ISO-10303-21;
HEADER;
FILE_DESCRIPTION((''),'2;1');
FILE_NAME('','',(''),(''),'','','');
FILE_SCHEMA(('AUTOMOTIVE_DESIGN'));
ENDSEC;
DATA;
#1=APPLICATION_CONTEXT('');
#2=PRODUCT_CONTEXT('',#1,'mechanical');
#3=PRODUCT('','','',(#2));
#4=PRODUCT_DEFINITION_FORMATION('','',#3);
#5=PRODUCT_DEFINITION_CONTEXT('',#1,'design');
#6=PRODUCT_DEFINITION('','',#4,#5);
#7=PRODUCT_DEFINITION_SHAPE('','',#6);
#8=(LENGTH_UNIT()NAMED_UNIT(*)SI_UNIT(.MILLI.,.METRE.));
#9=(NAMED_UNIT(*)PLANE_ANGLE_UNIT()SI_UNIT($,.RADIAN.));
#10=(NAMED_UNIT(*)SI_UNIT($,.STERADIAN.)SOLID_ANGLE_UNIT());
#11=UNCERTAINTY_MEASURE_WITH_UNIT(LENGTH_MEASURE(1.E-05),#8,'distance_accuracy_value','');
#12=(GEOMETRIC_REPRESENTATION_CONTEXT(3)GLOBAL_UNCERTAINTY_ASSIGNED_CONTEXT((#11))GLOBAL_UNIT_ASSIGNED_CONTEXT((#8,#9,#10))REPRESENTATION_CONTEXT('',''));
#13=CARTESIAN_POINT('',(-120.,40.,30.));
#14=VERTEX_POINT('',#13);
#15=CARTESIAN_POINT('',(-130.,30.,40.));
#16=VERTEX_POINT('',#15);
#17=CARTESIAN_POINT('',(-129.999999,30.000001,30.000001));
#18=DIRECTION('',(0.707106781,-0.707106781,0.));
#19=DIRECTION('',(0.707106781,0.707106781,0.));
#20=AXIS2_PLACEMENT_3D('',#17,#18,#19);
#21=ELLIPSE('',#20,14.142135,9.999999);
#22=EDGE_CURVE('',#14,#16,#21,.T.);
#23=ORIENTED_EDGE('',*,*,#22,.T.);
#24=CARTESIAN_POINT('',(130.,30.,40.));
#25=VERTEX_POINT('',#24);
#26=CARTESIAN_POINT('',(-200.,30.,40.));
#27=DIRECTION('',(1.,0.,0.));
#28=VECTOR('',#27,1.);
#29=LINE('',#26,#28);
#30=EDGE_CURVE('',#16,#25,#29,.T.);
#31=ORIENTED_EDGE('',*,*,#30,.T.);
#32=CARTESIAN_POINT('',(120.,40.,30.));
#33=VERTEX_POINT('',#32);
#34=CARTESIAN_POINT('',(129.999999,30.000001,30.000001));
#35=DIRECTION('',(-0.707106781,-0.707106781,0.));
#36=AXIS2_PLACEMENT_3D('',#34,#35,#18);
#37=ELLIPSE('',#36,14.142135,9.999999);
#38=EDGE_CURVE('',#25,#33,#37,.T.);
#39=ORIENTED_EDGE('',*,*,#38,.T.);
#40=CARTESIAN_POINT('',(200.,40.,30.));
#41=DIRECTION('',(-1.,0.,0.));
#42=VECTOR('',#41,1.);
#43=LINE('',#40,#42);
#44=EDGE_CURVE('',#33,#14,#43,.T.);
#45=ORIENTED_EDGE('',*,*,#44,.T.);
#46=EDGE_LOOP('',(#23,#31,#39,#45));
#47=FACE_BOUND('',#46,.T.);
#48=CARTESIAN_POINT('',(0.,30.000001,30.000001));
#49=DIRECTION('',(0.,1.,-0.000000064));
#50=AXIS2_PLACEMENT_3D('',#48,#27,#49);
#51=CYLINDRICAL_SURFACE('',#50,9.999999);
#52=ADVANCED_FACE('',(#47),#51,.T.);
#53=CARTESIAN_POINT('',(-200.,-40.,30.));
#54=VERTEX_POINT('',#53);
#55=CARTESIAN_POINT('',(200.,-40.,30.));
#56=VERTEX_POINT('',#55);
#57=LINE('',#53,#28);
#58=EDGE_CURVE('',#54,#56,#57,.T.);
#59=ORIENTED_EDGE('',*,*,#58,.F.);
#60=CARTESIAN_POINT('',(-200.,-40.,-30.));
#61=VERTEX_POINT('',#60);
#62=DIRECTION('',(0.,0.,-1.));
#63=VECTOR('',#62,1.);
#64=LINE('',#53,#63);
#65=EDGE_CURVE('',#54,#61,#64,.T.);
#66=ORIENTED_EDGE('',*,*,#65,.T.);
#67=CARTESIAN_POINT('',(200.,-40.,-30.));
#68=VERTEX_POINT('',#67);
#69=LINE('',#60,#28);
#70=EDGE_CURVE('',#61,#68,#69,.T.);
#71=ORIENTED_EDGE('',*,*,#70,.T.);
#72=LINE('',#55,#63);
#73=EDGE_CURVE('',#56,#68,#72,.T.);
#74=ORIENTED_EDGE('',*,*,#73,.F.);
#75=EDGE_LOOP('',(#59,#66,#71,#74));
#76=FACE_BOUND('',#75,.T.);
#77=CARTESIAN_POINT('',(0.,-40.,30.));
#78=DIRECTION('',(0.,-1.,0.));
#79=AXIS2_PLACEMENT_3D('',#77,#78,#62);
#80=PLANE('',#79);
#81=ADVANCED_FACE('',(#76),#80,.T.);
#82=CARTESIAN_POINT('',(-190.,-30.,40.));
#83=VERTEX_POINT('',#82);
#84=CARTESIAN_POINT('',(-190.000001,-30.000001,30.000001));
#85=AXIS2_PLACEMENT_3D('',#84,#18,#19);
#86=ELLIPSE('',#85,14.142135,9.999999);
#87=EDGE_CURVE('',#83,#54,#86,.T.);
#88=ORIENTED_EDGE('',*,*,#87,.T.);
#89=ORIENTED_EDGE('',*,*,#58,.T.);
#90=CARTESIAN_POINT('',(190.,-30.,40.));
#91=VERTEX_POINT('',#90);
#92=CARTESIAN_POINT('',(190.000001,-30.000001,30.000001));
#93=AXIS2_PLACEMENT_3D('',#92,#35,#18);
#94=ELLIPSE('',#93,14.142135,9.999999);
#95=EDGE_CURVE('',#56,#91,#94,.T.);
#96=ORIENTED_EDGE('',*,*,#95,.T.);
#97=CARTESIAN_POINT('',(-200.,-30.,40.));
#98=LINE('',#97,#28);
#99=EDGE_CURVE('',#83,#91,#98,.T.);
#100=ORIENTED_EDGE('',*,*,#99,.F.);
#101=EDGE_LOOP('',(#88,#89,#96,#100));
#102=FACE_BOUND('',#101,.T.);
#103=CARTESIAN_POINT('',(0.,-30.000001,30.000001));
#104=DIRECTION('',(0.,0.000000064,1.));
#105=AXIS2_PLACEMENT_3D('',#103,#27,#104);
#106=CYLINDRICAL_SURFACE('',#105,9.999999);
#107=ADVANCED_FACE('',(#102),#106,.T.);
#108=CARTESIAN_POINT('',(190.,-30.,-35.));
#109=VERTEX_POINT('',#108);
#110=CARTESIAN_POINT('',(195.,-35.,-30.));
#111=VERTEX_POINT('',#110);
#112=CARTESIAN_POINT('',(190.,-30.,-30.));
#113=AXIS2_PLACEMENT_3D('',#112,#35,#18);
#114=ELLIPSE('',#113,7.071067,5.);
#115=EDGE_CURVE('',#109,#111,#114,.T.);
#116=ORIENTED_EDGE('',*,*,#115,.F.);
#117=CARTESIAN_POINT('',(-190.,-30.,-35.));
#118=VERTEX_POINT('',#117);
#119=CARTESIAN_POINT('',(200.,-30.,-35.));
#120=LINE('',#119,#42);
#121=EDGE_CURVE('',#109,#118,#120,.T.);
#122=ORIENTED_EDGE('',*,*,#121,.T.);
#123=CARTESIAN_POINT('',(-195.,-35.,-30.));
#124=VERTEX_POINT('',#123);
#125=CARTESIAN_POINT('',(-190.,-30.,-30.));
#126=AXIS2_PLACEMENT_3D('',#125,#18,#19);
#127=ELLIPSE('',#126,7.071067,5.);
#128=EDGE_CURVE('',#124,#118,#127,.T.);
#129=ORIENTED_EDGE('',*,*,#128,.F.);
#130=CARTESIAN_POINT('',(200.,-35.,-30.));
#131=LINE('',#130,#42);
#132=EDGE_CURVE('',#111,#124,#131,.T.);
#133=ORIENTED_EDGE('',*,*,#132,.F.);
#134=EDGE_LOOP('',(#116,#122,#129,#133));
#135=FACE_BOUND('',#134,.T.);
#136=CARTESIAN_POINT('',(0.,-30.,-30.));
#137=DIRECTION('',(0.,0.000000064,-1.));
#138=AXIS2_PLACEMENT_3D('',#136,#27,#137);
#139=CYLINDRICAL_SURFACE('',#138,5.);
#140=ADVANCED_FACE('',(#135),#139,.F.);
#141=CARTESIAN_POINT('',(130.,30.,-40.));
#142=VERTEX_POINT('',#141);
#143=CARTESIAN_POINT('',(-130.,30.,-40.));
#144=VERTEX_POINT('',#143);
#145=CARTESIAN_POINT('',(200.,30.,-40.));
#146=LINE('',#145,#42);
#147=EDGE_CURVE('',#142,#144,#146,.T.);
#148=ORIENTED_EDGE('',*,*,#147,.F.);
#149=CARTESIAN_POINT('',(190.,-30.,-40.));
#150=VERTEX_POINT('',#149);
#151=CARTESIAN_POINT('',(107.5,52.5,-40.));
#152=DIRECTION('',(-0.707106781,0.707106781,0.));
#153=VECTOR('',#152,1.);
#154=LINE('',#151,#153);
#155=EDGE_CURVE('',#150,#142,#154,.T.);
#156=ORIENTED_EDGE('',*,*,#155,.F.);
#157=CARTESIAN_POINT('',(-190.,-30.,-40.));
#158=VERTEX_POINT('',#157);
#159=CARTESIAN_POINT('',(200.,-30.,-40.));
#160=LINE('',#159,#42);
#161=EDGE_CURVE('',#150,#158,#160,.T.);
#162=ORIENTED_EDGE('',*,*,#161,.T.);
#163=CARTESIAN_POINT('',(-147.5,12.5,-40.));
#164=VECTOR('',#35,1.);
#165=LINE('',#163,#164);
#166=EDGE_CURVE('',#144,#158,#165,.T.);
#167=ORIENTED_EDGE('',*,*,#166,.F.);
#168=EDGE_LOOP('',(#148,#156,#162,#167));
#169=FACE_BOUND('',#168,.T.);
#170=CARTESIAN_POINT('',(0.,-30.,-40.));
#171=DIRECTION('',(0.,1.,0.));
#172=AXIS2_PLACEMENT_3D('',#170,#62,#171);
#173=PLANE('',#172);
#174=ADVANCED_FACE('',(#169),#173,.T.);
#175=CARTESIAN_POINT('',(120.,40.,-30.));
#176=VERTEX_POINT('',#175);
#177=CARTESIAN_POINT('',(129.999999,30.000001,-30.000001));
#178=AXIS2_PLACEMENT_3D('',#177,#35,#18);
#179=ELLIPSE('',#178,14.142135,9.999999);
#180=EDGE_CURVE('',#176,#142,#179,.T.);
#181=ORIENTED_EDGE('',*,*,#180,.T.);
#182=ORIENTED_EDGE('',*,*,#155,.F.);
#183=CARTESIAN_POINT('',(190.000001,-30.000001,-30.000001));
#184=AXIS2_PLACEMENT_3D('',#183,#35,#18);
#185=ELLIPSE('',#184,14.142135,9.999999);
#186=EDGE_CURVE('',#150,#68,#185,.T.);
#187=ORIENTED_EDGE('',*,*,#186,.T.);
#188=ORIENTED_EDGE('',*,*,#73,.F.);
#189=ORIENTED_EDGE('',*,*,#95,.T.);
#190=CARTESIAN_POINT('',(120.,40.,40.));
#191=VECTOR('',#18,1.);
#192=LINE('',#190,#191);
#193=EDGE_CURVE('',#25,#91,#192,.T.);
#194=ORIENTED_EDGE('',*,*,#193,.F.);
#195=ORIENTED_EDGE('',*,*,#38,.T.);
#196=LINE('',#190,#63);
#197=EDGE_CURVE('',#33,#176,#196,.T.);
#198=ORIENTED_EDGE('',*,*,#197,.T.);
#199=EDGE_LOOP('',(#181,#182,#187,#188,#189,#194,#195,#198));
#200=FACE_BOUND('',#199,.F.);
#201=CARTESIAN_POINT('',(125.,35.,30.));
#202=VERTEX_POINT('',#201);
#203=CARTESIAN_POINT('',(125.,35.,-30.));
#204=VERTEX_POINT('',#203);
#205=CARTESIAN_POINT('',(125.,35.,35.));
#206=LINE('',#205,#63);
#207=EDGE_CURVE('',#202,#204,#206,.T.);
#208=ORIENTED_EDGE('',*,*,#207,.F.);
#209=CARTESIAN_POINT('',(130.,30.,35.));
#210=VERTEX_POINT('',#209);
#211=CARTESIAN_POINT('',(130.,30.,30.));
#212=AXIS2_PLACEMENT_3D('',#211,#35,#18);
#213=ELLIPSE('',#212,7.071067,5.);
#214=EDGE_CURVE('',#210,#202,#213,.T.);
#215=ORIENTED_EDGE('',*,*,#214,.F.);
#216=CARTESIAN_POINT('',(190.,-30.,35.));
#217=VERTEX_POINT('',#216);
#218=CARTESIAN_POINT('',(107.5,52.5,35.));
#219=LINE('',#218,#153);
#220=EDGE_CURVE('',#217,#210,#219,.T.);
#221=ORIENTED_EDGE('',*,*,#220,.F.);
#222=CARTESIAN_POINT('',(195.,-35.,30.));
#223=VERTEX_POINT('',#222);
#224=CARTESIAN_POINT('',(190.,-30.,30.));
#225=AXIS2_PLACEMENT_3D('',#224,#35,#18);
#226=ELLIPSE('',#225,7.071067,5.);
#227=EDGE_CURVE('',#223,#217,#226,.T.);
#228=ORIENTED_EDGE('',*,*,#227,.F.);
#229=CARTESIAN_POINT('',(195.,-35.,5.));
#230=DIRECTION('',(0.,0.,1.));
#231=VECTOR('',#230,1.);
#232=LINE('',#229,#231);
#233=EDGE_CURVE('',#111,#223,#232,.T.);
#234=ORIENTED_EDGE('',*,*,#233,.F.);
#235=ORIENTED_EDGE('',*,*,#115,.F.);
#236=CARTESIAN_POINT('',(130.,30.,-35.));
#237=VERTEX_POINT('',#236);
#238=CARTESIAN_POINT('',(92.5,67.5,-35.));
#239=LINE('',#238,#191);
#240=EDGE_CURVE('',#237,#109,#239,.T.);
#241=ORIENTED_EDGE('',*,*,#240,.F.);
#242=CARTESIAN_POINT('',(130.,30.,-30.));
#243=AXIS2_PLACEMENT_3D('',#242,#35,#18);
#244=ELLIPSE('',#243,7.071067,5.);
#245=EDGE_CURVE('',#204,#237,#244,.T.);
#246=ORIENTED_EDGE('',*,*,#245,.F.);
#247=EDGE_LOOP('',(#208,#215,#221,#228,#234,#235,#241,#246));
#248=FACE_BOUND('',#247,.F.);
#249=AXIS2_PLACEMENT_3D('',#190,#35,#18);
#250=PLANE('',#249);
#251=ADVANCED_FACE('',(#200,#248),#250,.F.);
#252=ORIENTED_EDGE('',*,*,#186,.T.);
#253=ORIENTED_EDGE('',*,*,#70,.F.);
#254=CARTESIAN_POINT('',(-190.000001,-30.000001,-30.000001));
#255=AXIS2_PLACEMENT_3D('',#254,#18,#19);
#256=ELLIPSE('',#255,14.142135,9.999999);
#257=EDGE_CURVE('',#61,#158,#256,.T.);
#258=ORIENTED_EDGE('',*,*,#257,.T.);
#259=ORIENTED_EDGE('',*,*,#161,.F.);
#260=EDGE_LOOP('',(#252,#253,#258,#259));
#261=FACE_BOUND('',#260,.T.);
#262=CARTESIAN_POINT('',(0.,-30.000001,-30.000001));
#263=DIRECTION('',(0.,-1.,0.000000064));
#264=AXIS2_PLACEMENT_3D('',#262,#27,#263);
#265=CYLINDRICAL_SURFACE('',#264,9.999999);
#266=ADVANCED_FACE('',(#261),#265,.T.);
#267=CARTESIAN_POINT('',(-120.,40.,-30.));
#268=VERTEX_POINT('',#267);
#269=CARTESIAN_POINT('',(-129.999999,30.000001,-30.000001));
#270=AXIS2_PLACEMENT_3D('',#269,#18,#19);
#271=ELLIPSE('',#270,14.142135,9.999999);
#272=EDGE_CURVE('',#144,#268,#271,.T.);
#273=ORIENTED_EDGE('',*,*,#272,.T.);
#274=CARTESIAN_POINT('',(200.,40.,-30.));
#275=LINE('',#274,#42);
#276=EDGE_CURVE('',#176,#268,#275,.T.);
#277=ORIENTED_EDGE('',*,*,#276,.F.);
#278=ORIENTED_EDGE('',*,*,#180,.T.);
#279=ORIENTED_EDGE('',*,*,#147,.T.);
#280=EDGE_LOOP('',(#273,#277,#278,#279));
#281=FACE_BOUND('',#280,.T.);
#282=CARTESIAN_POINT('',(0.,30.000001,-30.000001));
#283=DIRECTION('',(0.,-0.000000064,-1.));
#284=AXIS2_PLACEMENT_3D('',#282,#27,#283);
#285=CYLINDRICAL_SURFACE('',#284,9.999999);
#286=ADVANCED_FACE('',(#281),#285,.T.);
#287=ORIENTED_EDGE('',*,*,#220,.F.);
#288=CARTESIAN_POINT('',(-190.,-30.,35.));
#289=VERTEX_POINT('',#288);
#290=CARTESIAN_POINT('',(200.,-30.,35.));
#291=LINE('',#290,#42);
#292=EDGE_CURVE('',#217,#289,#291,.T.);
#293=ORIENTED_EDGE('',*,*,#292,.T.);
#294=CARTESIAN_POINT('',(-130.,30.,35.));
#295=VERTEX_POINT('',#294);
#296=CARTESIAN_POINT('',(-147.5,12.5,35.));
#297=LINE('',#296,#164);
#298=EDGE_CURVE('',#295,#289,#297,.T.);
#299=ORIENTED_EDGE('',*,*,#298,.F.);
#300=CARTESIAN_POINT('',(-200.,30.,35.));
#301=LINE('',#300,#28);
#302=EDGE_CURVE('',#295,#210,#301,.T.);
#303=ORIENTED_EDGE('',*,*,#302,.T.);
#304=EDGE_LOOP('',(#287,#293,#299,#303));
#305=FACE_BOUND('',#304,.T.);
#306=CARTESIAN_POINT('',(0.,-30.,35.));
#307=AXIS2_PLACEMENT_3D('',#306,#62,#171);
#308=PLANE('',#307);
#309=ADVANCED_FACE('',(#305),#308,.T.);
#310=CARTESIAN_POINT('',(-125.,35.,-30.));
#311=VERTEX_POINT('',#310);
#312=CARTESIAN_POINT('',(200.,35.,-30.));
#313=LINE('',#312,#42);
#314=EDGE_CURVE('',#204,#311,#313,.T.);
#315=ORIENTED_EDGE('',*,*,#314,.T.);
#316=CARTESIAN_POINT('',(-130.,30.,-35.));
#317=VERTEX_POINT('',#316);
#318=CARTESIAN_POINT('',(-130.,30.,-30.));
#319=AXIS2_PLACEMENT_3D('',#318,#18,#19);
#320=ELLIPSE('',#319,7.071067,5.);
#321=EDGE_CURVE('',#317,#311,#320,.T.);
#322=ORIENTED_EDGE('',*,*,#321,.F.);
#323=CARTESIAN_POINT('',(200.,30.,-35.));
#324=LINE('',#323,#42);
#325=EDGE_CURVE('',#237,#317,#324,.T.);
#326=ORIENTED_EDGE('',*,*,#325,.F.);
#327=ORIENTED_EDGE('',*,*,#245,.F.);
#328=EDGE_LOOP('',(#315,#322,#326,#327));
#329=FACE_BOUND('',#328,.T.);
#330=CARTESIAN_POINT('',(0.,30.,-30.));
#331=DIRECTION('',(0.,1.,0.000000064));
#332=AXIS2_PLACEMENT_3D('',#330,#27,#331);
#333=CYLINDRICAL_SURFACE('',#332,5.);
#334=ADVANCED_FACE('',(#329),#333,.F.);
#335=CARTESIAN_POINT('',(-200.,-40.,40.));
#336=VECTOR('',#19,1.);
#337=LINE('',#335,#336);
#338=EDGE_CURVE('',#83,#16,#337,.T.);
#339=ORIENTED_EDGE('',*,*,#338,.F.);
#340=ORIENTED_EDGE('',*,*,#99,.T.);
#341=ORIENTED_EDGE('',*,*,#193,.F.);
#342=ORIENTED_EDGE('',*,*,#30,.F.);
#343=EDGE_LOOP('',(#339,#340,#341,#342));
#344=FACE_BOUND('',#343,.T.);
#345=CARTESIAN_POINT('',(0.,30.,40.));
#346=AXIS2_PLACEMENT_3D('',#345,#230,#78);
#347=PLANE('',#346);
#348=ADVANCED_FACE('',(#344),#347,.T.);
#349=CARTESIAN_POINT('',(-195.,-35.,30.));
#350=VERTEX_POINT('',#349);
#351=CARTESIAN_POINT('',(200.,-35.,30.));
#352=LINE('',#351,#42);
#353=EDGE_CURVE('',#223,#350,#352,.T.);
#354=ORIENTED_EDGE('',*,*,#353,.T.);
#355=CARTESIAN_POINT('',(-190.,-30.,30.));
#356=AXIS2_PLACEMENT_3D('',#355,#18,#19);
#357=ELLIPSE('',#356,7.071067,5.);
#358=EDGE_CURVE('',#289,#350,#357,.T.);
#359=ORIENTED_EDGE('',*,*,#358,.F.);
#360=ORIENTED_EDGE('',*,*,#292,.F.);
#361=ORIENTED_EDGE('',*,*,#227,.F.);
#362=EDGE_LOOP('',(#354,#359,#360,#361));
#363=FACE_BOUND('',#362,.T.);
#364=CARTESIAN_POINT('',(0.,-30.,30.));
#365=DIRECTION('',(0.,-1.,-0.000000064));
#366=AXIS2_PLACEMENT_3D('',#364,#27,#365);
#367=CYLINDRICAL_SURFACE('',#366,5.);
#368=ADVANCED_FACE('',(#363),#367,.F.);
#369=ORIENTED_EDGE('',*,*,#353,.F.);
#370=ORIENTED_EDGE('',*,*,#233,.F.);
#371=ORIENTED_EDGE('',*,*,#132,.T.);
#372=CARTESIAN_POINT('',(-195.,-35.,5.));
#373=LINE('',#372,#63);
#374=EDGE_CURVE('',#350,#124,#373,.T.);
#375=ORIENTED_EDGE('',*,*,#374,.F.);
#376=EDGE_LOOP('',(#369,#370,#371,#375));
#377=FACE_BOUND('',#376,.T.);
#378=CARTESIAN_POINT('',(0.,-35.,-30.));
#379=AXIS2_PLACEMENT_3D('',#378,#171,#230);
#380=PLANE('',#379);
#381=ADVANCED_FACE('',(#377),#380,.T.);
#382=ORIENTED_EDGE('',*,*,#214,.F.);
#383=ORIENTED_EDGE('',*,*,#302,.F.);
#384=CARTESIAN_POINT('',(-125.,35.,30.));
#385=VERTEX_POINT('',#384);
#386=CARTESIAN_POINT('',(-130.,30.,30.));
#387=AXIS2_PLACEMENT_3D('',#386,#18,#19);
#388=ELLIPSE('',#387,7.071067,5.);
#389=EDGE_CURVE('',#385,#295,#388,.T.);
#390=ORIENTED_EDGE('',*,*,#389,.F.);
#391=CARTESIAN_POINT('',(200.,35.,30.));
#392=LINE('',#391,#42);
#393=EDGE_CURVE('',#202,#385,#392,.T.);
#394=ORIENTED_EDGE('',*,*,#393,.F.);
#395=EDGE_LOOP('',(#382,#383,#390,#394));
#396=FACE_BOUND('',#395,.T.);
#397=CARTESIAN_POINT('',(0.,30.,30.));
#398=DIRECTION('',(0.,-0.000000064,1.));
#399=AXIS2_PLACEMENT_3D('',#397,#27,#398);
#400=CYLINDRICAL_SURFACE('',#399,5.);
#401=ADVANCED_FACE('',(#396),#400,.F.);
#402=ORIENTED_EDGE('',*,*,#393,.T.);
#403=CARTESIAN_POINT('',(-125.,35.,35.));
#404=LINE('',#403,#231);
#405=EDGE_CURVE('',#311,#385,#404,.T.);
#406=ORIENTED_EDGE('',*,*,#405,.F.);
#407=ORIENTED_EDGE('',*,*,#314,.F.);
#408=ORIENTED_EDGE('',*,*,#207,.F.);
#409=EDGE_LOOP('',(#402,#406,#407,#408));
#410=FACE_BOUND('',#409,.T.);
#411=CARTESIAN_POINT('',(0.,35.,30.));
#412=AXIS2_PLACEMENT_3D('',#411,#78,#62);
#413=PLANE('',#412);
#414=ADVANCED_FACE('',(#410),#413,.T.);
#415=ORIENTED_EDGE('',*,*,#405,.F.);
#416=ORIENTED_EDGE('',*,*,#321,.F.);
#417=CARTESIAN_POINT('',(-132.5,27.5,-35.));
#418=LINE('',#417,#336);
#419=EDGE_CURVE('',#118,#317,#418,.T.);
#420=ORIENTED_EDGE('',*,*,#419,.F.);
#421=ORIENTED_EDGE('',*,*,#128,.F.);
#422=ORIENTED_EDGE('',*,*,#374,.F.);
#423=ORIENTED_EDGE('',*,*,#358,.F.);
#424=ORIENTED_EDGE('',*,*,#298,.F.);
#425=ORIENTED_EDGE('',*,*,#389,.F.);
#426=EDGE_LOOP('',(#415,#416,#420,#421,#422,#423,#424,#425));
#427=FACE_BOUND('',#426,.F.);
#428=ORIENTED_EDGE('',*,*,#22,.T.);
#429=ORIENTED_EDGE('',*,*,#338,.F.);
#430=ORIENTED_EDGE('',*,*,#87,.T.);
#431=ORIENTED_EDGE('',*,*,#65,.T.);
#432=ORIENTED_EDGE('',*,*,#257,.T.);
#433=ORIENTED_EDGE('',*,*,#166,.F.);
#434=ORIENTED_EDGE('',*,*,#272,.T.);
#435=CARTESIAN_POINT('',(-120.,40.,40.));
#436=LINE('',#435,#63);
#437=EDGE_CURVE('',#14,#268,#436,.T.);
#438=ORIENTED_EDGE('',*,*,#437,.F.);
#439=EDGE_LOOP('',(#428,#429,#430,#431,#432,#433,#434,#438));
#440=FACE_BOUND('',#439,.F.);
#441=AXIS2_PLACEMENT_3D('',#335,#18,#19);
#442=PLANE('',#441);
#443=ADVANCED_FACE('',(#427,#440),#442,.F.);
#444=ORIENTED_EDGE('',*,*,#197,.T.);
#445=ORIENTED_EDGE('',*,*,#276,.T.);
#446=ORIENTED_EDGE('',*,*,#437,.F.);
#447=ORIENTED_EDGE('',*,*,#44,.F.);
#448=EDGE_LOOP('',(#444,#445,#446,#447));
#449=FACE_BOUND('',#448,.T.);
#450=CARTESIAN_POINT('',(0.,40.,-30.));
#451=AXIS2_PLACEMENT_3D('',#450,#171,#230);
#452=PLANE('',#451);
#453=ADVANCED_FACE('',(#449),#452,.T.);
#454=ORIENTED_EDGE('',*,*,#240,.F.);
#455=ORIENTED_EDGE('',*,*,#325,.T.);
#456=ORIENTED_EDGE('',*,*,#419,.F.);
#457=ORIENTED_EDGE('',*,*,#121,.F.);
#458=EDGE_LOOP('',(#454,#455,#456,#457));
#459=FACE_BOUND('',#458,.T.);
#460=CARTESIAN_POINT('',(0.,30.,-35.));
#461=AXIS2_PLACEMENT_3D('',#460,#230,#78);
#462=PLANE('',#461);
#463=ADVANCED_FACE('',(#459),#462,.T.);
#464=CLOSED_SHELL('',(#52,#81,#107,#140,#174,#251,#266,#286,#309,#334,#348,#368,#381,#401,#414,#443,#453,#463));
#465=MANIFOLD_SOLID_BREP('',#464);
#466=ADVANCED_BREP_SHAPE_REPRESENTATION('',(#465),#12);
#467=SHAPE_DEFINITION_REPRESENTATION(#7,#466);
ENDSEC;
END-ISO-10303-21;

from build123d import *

# Parameters (mm, degrees)
F1_DEPTH = 200
F3_DEPTH = 80.001


with BuildPart() as f1:
    # F0 (on Right) → F1 (new body, symmetric)
    with BuildSketch(Plane.YZ):
        with BuildLine():
            ThreePointArc((40, 30), (37.071068, 37.071068), (30, 40))
            Line((30, 40), (-30, 40))
            ThreePointArc((-30, 40), (-37.071068, 37.071068), (-40, 30))
            Line((-40, 30), (-40, -30))
            ThreePointArc((-40, -30), (-37.071068, -37.071068), (-30, -40))
            Line((-30, -40), (30, -40))
            ThreePointArc((30, -40), (37.071068, -37.071068), (40, -30))
            Line((40, -30), (40, 30))
        make_face()
        with BuildLine():
            ThreePointArc((30, 35), (33.535534, 33.535534), (35, 30))
            Line((35, 30), (35, -30))
            ThreePointArc((35, -30), (33.535534, -33.535534), (30, -35))
            Line((30, -35), (-30, -35))
            ThreePointArc((-30, -35), (-33.535534, -33.535534), (-35, -30))
            Line((-35, -30), (-35, 30))
            ThreePointArc((-35, 30), (-33.535534, 33.535534), (-30, 35))
            Line((-30, 35), (30, 35))
        make_face(mode=Mode.SUBTRACT)
    extrude(amount=F1_DEPTH, both=True)

    # F2 (on face) → F3 (cut, through all)
    with BuildSketch(Plane.XY.offset(40)):
        Polygon((-200, 40), (-200, -40), (-120, 40), align=None)
        Polygon((200, -40), (200, 40), (120, 40), align=None)
    extrude(amount=-F3_DEPTH, mode=Mode.SUBTRACT)


solid = f1.part
